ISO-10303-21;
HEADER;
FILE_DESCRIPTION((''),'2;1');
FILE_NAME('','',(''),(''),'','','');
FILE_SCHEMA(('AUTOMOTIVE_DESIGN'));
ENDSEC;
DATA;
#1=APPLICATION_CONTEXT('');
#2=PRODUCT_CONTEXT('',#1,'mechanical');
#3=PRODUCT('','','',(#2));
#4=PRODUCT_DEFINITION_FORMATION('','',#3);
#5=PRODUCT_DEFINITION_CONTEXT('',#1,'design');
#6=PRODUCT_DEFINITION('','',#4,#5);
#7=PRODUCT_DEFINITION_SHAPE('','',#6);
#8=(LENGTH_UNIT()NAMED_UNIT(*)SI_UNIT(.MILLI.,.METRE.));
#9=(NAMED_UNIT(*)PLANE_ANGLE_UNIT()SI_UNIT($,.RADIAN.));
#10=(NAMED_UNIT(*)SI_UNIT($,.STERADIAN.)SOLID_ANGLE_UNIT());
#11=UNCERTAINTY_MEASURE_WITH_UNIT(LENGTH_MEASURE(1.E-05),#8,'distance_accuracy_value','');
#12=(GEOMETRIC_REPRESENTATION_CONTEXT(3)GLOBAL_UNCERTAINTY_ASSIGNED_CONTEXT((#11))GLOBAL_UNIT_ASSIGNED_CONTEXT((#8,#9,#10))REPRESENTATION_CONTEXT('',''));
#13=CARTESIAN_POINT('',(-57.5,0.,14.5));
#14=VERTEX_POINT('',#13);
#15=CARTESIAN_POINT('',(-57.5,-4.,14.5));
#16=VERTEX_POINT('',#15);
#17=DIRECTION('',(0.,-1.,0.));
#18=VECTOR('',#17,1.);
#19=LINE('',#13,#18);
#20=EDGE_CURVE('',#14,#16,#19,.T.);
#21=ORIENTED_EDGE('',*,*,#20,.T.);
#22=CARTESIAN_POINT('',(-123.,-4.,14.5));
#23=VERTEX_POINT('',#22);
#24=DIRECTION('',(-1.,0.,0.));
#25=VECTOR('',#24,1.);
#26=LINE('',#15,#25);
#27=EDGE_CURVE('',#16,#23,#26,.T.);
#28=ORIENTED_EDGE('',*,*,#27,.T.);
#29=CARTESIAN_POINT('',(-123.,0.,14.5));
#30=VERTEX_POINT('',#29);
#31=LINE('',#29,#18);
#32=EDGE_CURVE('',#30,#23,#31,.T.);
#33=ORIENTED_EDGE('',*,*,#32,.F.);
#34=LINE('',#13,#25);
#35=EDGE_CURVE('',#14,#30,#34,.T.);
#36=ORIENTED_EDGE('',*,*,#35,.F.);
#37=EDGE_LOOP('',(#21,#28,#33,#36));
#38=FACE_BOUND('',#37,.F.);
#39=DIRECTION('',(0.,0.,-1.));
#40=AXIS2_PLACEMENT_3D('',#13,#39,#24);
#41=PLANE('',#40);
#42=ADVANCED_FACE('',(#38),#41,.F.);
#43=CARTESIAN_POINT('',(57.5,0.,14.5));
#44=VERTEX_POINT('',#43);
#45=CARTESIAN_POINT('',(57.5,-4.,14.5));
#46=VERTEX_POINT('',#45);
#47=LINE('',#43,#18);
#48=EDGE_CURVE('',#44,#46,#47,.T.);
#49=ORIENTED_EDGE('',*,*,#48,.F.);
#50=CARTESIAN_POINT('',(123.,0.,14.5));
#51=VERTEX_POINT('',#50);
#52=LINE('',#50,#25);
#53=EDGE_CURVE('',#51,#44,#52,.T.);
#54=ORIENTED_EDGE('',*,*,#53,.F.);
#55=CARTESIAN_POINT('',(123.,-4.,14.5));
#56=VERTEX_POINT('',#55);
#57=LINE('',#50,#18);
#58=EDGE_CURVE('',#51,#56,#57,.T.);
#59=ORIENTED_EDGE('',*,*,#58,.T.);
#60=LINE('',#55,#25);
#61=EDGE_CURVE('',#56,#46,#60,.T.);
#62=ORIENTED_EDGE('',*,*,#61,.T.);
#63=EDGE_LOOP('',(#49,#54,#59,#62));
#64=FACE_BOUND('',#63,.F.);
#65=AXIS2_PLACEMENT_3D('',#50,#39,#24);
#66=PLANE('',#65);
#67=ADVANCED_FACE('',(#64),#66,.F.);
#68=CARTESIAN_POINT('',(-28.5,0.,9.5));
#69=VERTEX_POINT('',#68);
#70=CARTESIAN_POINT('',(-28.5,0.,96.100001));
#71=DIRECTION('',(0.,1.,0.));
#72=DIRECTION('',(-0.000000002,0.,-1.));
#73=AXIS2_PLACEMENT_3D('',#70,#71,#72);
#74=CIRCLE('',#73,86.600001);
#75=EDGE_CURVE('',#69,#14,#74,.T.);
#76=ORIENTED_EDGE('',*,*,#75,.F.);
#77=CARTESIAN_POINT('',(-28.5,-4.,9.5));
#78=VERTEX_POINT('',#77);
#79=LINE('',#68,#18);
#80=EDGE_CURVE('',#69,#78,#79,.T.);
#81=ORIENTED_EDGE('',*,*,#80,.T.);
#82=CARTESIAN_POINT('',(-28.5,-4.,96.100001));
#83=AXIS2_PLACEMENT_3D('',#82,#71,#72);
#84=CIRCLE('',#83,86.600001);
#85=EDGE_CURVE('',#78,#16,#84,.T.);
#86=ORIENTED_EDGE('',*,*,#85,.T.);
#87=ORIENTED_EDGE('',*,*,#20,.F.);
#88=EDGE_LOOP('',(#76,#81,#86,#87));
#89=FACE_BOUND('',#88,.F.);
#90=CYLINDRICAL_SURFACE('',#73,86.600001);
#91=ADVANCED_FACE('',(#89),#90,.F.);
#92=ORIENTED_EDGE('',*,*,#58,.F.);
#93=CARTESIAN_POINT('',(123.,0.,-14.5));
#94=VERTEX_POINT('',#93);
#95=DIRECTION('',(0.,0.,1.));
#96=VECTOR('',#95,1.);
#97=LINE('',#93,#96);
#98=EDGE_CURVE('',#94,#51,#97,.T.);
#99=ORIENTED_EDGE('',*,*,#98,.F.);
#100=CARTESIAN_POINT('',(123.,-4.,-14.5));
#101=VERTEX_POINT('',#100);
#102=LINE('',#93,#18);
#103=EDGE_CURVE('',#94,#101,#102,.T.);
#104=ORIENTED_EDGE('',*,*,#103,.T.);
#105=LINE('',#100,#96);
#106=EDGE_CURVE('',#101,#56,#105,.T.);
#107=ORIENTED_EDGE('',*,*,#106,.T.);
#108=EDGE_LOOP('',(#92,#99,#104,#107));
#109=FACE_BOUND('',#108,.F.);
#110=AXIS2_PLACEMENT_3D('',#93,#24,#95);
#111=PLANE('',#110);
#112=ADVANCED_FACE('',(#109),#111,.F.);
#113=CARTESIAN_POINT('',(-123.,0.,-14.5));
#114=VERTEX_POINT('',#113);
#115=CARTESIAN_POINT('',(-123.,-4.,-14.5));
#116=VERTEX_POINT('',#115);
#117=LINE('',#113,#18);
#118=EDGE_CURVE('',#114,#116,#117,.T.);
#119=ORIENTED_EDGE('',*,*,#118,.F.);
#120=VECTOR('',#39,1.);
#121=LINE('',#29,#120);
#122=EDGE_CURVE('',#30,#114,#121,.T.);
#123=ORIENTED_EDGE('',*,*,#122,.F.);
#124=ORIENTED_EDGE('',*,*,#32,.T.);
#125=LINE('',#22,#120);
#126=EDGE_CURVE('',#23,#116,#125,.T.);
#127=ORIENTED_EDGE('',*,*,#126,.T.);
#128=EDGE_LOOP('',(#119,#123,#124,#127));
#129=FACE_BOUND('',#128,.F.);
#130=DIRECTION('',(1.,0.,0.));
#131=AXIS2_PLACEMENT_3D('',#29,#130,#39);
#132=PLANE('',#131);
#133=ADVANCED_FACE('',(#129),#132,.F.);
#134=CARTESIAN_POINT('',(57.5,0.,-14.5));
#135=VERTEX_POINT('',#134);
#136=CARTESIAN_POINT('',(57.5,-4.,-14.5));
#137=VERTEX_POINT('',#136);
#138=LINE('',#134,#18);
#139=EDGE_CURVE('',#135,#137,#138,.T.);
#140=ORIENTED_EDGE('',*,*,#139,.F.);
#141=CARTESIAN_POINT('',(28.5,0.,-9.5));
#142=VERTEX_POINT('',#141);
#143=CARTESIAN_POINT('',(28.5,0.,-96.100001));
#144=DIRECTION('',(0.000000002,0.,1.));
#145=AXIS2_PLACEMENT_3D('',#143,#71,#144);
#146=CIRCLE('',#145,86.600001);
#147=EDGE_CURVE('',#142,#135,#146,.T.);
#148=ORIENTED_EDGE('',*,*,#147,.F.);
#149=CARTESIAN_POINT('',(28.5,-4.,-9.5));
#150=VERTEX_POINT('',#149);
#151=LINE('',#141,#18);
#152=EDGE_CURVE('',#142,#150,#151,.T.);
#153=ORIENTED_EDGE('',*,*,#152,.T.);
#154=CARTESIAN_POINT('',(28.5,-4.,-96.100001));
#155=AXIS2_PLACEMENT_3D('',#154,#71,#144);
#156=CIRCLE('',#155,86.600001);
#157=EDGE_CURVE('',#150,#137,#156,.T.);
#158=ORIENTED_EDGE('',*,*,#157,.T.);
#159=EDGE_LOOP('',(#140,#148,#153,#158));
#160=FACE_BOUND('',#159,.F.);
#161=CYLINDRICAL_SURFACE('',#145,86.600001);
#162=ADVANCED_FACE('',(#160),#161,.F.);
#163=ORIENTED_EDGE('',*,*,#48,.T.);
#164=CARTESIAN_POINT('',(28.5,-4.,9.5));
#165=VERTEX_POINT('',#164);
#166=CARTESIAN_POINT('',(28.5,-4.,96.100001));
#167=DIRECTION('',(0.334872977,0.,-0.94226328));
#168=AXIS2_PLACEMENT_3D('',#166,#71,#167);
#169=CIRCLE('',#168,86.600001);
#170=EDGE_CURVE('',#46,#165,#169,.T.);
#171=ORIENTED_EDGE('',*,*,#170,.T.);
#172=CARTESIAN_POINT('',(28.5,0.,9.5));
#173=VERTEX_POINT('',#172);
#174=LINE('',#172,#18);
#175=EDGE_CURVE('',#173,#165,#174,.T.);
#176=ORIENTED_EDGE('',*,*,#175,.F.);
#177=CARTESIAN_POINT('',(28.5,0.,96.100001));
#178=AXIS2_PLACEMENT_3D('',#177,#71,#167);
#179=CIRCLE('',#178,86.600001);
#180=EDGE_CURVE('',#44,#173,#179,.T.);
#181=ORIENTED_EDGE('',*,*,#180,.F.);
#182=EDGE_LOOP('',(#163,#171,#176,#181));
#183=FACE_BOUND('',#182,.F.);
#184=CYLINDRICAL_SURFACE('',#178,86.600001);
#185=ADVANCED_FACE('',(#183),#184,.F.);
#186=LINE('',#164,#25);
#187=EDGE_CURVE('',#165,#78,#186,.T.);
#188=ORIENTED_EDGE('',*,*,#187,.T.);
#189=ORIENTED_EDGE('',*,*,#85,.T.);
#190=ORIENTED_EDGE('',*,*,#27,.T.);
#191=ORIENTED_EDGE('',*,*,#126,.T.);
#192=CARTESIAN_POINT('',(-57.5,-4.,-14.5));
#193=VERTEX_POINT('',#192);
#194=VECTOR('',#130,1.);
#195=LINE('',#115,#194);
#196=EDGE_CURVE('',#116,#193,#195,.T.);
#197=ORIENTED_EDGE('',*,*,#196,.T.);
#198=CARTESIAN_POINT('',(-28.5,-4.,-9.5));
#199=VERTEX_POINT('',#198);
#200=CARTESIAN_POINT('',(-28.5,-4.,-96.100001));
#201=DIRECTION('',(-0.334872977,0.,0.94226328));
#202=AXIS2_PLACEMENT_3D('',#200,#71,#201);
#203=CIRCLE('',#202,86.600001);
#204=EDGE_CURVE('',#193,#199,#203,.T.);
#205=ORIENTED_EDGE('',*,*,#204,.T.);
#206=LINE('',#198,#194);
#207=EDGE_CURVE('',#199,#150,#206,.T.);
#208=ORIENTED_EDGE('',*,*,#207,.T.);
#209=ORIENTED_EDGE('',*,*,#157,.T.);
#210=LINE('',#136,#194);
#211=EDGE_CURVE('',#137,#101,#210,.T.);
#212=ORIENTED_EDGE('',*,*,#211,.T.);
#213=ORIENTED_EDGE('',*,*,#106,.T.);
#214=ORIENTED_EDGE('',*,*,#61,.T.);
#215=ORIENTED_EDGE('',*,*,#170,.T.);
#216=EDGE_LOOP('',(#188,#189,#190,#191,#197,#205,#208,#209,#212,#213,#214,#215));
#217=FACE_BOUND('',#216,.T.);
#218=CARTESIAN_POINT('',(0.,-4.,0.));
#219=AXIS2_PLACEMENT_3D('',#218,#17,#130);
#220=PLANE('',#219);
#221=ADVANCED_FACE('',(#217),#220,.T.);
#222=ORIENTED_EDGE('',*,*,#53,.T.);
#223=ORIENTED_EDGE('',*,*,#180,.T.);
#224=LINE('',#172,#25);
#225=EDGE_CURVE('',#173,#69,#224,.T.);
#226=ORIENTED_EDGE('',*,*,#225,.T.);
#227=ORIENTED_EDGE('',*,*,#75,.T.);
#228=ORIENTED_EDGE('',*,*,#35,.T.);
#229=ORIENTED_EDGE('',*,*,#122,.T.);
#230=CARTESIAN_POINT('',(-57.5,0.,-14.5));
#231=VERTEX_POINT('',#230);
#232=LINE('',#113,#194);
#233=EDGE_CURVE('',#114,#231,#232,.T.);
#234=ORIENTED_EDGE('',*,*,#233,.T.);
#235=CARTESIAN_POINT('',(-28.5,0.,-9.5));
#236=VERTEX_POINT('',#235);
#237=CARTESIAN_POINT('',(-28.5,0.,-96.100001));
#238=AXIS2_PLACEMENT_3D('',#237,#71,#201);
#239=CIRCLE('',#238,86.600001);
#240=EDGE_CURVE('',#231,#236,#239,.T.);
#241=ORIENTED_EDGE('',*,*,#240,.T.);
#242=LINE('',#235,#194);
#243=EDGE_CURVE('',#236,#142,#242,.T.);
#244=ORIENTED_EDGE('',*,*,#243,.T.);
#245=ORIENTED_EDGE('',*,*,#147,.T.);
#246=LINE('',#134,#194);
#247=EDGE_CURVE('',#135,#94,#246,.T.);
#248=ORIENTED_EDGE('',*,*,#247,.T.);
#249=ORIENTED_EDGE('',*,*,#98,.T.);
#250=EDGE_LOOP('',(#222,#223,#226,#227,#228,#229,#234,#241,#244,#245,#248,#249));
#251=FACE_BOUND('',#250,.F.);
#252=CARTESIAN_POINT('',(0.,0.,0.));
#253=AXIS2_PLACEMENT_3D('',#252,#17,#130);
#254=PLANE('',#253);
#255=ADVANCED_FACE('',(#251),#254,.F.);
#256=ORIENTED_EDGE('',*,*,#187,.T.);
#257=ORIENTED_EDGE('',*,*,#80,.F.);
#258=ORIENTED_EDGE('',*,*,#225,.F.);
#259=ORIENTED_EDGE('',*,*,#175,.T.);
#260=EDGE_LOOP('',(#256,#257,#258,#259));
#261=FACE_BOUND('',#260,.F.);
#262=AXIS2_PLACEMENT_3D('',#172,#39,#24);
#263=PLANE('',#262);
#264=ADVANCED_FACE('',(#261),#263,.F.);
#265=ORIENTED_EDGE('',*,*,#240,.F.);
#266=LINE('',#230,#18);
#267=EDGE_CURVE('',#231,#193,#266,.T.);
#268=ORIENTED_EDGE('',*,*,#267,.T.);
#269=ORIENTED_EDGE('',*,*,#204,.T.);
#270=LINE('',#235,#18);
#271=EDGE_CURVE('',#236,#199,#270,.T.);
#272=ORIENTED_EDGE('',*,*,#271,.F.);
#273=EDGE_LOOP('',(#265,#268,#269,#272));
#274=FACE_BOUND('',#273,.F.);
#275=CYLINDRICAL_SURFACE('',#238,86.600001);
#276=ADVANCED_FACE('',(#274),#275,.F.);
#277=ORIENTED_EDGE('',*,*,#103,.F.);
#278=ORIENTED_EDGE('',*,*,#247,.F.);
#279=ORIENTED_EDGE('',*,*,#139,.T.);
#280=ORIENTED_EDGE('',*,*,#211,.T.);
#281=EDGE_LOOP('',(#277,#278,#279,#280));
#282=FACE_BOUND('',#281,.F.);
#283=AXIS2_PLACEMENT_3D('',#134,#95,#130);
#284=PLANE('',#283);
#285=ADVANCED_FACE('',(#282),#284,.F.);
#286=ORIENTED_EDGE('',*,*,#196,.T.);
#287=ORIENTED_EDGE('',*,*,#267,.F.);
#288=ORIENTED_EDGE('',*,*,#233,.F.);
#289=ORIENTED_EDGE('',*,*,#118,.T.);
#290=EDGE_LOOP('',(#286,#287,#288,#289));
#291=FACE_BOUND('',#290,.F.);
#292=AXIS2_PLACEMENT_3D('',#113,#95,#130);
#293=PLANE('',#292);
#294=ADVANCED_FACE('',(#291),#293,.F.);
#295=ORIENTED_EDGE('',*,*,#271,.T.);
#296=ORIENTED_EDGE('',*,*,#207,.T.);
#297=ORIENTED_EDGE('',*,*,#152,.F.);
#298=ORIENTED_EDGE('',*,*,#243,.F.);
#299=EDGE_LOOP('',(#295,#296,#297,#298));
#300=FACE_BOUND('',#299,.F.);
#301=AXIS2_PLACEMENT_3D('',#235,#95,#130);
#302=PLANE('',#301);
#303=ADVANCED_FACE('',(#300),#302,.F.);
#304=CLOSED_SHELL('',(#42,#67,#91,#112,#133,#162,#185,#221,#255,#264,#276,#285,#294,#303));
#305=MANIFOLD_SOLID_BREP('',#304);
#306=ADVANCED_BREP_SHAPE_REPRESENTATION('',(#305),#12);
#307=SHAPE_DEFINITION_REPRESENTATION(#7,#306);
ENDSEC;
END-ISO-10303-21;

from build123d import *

# Parameters (mm, degrees)
F1_DEPTH = 4


with BuildPart() as f1:
    # F0 (on Front) → F1 (new body)
    with BuildSketch(Plane.XZ):
        with BuildLine():
            Line((28.5, 9.5), (0, 9.5))
            Line((0, 9.5), (-28.5, 9.5))
            ThreePointArc((-28.5, 9.5), (-43.213939, 10.759154), (-57.5, 14.5))
            Line((-57.5, 14.5), (-123, 14.5))
            Line((-123, 14.5), (-123, 0))
            Line((-123, 0), (-123, -14.5))
            Line((-123, -14.5), (-57.5, -14.5))
            ThreePointArc((-57.5, -14.5), (-43.213939, -10.759154), (-28.5, -9.5))
            Line((-28.5, -9.5), (0, -9.5))
            Line((0, -9.5), (28.5, -9.5))
            ThreePointArc((28.5, -9.5), (43.213939, -10.759154), (57.5, -14.5))
            Line((57.5, -14.5), (123, -14.5))
            Line((123, -14.5), (123, 0))
            Line((123, 0), (123, 14.5))
            Line((123, 14.5), (57.5, 14.5))
            ThreePointArc((57.5, 14.5), (43.213939, 10.759154), (28.5, 9.5))
        make_face()
    extrude(amount=F1_DEPTH)


solid = f1.part
